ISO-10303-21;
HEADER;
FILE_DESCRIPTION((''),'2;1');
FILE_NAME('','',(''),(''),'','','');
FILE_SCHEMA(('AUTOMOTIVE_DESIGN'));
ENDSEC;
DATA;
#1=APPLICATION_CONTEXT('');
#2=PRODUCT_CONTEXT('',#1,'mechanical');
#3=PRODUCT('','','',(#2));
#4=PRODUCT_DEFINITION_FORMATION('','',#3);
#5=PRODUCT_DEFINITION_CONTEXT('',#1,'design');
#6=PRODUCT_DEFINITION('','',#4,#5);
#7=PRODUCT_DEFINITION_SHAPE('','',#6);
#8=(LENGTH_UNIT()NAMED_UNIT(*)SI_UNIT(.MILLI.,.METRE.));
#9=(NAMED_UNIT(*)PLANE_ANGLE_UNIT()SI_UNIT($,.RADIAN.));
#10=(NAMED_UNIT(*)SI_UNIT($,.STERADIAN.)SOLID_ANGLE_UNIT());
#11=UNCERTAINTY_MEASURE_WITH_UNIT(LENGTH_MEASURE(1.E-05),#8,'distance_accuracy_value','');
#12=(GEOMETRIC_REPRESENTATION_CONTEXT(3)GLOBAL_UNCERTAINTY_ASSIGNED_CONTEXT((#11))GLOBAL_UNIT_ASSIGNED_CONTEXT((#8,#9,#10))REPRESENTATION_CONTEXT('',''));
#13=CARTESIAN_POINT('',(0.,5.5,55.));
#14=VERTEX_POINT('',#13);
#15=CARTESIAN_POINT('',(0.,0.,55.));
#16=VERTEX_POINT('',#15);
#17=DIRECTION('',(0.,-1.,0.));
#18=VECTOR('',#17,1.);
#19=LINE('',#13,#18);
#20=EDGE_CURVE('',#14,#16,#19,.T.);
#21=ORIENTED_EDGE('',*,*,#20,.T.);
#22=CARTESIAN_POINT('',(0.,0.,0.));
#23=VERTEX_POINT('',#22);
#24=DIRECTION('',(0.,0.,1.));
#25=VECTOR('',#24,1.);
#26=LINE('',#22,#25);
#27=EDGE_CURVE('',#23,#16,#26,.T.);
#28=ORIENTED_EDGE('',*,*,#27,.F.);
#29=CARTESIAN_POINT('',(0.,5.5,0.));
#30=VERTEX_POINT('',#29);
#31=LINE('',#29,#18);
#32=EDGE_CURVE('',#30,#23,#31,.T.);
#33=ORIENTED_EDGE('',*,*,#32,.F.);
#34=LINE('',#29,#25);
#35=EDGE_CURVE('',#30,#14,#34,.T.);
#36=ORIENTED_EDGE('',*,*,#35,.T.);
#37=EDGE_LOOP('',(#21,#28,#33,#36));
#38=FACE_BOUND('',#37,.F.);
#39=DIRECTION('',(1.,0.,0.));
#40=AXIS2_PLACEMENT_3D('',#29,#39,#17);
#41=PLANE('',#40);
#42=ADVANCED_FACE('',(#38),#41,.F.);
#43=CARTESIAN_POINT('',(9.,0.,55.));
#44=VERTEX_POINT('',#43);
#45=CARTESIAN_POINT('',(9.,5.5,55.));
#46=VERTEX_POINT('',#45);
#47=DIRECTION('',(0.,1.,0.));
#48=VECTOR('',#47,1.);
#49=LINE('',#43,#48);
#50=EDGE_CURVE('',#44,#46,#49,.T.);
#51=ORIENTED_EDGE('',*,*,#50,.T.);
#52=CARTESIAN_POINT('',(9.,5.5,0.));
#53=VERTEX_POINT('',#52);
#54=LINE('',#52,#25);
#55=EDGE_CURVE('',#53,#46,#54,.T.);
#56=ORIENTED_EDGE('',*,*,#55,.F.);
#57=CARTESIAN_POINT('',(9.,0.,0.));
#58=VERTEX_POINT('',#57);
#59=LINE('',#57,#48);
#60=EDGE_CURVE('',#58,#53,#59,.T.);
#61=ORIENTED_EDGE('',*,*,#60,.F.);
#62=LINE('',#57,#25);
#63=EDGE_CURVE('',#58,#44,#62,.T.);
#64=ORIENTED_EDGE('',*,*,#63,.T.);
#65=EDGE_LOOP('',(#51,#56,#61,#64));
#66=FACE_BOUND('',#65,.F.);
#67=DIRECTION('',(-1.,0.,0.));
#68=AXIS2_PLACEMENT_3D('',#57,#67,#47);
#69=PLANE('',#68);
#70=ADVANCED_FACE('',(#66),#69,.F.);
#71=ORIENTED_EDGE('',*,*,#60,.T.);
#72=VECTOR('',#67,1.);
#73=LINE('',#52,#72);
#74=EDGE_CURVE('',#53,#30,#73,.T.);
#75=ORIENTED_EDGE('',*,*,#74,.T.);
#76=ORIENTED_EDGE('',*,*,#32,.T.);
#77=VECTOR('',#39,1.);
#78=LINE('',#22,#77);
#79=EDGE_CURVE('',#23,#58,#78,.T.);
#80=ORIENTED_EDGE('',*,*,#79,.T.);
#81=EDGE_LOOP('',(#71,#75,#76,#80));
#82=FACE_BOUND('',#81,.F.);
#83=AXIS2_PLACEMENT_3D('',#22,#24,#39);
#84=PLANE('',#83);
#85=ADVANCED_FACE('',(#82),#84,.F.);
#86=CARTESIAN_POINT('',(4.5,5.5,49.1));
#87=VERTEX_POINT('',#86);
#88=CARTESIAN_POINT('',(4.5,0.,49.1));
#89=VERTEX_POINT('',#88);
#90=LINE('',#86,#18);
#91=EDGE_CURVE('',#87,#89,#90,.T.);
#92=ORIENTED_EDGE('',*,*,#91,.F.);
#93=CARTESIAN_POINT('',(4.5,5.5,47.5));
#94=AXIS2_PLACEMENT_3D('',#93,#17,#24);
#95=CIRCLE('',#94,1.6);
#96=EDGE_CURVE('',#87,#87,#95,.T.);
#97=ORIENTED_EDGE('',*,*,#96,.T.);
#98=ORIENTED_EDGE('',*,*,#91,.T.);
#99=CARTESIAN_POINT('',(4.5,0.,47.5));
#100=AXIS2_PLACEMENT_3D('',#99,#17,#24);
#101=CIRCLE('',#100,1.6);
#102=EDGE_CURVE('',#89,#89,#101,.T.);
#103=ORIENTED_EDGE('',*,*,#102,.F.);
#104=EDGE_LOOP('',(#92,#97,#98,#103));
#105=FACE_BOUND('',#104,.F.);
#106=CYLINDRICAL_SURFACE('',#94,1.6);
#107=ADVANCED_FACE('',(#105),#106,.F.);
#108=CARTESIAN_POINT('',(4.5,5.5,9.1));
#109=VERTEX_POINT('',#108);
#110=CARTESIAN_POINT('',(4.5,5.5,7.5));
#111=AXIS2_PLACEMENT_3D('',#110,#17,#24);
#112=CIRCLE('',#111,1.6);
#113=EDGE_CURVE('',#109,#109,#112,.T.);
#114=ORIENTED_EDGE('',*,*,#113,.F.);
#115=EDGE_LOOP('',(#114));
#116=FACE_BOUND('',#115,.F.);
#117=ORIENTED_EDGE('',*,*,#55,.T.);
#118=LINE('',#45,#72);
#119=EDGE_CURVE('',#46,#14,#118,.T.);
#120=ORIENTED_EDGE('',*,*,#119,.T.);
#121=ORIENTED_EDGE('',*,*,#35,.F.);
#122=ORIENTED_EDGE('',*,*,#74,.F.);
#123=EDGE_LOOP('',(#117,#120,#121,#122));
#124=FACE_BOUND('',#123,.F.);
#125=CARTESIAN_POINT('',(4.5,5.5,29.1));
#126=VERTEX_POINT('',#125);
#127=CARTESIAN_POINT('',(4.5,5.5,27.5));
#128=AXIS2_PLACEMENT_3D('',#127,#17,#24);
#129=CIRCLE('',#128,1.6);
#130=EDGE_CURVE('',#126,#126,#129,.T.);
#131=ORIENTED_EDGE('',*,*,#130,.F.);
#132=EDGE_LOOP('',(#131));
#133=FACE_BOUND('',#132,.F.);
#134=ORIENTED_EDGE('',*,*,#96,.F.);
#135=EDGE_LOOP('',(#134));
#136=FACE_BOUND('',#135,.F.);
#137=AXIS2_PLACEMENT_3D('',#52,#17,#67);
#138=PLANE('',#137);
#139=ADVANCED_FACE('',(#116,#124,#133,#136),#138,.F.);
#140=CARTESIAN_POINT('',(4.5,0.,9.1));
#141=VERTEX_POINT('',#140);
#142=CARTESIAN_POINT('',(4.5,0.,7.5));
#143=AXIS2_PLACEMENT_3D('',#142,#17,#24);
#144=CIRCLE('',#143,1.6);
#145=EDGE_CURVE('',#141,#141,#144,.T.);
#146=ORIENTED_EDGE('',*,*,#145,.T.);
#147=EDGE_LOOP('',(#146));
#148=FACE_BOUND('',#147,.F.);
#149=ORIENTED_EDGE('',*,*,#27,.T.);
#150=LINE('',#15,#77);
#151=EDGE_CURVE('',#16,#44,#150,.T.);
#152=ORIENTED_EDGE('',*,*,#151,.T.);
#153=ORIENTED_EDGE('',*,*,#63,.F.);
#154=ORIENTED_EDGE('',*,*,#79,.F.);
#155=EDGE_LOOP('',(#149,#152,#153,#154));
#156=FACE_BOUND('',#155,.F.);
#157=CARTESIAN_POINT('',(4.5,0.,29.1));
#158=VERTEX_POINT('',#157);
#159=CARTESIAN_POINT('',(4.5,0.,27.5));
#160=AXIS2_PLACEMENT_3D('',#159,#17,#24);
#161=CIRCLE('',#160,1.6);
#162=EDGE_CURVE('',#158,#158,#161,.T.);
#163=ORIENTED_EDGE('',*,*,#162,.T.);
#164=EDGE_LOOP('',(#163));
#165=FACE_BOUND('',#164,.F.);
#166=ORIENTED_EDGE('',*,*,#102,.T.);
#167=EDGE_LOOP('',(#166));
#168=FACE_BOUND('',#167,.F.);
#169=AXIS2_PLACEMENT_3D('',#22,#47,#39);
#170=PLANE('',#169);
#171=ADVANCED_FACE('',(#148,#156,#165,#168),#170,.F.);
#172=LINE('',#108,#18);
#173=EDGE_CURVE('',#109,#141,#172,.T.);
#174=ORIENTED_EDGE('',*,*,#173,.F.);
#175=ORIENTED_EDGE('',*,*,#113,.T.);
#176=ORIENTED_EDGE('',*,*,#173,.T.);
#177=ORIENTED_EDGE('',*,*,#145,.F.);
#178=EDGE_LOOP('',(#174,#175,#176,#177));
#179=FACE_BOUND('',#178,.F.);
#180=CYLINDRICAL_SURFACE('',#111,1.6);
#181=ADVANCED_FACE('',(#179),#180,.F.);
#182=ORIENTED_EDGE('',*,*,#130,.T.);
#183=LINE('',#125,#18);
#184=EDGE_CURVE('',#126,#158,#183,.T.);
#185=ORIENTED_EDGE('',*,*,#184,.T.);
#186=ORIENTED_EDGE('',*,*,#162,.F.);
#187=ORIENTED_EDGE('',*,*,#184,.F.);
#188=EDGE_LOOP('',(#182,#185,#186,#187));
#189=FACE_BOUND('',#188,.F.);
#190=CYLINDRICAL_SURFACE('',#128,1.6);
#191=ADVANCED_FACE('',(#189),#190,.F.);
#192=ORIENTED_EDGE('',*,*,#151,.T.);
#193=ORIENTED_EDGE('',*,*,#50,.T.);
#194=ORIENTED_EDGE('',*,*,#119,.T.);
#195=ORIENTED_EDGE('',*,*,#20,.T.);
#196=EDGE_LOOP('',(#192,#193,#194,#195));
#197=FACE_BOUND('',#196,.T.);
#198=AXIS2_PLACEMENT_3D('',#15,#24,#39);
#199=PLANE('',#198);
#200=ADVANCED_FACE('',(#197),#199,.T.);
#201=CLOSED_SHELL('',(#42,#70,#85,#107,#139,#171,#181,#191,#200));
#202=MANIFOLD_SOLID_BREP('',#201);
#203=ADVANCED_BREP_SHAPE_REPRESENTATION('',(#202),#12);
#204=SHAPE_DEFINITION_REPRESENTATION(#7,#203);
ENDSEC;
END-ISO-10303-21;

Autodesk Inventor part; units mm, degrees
ref_plane "YZ Plane" through (0, 0, 0) normal (1, 0, 0) x (0, 1, 0)
ref_plane "XZ Plane" through (0, 0, 0) normal (0, 1, 0) x (-1, 0, 0)
ref_plane "XY Plane" through (0, 0, 0) normal (0, 0, 1) x (1, 0, 0)
sketch "スケッチ1" plane through (0, 0, 0) normal (0, 0, 1) x (1, 0, 0)
  line L0 (0, 0) -> (9, 0)
  line L1 (9, 0) -> (9, 5.5)
  line L2 (9, 5.5) -> (0, 5.5)
  line L3 (0, 5.5) -> (0, 0)
  dimension "d0" = 9
  dimension "d1" = 5.5
extrude "押し出し1" add sketch "スケッチ1" along normal blind 55
sketch "スケッチ2" plane through (0, 5.5, 0) normal (0, 1, 0) x (1, 0, 0)
  line L0 (9, 0) -> (0, 0) projected
  point P0 (4.5, -7.5)
  point P1 (4.5, -27.5)
  point P2 (4.5, -47.5)
  point P3 (4.5, -67.5)
  point P4 (4.5, -87.5)
  dimension "d4" = 7.5
  dimension "d5" = 20
  dimension "d6" = 20
  dimension "d7" = 20
  dimension "d8" = 20
hole "穴1" at (4.5, 5.5, 7.5) at (4.5, 5.5, 27.5) at (4.5, 5.5, 47.5) at (4.5, 5.5, 67.5) at (4.5, 5.5, 87.5) direction (0, -1, 0) diameter 3.2 end through all
equation "\"d6\" = d5"
equation "\"d7\" = d5"
equation "\"d8\" = d5"
properties part number "TH22_slider_95" material "鉄、可鍛鉄"
